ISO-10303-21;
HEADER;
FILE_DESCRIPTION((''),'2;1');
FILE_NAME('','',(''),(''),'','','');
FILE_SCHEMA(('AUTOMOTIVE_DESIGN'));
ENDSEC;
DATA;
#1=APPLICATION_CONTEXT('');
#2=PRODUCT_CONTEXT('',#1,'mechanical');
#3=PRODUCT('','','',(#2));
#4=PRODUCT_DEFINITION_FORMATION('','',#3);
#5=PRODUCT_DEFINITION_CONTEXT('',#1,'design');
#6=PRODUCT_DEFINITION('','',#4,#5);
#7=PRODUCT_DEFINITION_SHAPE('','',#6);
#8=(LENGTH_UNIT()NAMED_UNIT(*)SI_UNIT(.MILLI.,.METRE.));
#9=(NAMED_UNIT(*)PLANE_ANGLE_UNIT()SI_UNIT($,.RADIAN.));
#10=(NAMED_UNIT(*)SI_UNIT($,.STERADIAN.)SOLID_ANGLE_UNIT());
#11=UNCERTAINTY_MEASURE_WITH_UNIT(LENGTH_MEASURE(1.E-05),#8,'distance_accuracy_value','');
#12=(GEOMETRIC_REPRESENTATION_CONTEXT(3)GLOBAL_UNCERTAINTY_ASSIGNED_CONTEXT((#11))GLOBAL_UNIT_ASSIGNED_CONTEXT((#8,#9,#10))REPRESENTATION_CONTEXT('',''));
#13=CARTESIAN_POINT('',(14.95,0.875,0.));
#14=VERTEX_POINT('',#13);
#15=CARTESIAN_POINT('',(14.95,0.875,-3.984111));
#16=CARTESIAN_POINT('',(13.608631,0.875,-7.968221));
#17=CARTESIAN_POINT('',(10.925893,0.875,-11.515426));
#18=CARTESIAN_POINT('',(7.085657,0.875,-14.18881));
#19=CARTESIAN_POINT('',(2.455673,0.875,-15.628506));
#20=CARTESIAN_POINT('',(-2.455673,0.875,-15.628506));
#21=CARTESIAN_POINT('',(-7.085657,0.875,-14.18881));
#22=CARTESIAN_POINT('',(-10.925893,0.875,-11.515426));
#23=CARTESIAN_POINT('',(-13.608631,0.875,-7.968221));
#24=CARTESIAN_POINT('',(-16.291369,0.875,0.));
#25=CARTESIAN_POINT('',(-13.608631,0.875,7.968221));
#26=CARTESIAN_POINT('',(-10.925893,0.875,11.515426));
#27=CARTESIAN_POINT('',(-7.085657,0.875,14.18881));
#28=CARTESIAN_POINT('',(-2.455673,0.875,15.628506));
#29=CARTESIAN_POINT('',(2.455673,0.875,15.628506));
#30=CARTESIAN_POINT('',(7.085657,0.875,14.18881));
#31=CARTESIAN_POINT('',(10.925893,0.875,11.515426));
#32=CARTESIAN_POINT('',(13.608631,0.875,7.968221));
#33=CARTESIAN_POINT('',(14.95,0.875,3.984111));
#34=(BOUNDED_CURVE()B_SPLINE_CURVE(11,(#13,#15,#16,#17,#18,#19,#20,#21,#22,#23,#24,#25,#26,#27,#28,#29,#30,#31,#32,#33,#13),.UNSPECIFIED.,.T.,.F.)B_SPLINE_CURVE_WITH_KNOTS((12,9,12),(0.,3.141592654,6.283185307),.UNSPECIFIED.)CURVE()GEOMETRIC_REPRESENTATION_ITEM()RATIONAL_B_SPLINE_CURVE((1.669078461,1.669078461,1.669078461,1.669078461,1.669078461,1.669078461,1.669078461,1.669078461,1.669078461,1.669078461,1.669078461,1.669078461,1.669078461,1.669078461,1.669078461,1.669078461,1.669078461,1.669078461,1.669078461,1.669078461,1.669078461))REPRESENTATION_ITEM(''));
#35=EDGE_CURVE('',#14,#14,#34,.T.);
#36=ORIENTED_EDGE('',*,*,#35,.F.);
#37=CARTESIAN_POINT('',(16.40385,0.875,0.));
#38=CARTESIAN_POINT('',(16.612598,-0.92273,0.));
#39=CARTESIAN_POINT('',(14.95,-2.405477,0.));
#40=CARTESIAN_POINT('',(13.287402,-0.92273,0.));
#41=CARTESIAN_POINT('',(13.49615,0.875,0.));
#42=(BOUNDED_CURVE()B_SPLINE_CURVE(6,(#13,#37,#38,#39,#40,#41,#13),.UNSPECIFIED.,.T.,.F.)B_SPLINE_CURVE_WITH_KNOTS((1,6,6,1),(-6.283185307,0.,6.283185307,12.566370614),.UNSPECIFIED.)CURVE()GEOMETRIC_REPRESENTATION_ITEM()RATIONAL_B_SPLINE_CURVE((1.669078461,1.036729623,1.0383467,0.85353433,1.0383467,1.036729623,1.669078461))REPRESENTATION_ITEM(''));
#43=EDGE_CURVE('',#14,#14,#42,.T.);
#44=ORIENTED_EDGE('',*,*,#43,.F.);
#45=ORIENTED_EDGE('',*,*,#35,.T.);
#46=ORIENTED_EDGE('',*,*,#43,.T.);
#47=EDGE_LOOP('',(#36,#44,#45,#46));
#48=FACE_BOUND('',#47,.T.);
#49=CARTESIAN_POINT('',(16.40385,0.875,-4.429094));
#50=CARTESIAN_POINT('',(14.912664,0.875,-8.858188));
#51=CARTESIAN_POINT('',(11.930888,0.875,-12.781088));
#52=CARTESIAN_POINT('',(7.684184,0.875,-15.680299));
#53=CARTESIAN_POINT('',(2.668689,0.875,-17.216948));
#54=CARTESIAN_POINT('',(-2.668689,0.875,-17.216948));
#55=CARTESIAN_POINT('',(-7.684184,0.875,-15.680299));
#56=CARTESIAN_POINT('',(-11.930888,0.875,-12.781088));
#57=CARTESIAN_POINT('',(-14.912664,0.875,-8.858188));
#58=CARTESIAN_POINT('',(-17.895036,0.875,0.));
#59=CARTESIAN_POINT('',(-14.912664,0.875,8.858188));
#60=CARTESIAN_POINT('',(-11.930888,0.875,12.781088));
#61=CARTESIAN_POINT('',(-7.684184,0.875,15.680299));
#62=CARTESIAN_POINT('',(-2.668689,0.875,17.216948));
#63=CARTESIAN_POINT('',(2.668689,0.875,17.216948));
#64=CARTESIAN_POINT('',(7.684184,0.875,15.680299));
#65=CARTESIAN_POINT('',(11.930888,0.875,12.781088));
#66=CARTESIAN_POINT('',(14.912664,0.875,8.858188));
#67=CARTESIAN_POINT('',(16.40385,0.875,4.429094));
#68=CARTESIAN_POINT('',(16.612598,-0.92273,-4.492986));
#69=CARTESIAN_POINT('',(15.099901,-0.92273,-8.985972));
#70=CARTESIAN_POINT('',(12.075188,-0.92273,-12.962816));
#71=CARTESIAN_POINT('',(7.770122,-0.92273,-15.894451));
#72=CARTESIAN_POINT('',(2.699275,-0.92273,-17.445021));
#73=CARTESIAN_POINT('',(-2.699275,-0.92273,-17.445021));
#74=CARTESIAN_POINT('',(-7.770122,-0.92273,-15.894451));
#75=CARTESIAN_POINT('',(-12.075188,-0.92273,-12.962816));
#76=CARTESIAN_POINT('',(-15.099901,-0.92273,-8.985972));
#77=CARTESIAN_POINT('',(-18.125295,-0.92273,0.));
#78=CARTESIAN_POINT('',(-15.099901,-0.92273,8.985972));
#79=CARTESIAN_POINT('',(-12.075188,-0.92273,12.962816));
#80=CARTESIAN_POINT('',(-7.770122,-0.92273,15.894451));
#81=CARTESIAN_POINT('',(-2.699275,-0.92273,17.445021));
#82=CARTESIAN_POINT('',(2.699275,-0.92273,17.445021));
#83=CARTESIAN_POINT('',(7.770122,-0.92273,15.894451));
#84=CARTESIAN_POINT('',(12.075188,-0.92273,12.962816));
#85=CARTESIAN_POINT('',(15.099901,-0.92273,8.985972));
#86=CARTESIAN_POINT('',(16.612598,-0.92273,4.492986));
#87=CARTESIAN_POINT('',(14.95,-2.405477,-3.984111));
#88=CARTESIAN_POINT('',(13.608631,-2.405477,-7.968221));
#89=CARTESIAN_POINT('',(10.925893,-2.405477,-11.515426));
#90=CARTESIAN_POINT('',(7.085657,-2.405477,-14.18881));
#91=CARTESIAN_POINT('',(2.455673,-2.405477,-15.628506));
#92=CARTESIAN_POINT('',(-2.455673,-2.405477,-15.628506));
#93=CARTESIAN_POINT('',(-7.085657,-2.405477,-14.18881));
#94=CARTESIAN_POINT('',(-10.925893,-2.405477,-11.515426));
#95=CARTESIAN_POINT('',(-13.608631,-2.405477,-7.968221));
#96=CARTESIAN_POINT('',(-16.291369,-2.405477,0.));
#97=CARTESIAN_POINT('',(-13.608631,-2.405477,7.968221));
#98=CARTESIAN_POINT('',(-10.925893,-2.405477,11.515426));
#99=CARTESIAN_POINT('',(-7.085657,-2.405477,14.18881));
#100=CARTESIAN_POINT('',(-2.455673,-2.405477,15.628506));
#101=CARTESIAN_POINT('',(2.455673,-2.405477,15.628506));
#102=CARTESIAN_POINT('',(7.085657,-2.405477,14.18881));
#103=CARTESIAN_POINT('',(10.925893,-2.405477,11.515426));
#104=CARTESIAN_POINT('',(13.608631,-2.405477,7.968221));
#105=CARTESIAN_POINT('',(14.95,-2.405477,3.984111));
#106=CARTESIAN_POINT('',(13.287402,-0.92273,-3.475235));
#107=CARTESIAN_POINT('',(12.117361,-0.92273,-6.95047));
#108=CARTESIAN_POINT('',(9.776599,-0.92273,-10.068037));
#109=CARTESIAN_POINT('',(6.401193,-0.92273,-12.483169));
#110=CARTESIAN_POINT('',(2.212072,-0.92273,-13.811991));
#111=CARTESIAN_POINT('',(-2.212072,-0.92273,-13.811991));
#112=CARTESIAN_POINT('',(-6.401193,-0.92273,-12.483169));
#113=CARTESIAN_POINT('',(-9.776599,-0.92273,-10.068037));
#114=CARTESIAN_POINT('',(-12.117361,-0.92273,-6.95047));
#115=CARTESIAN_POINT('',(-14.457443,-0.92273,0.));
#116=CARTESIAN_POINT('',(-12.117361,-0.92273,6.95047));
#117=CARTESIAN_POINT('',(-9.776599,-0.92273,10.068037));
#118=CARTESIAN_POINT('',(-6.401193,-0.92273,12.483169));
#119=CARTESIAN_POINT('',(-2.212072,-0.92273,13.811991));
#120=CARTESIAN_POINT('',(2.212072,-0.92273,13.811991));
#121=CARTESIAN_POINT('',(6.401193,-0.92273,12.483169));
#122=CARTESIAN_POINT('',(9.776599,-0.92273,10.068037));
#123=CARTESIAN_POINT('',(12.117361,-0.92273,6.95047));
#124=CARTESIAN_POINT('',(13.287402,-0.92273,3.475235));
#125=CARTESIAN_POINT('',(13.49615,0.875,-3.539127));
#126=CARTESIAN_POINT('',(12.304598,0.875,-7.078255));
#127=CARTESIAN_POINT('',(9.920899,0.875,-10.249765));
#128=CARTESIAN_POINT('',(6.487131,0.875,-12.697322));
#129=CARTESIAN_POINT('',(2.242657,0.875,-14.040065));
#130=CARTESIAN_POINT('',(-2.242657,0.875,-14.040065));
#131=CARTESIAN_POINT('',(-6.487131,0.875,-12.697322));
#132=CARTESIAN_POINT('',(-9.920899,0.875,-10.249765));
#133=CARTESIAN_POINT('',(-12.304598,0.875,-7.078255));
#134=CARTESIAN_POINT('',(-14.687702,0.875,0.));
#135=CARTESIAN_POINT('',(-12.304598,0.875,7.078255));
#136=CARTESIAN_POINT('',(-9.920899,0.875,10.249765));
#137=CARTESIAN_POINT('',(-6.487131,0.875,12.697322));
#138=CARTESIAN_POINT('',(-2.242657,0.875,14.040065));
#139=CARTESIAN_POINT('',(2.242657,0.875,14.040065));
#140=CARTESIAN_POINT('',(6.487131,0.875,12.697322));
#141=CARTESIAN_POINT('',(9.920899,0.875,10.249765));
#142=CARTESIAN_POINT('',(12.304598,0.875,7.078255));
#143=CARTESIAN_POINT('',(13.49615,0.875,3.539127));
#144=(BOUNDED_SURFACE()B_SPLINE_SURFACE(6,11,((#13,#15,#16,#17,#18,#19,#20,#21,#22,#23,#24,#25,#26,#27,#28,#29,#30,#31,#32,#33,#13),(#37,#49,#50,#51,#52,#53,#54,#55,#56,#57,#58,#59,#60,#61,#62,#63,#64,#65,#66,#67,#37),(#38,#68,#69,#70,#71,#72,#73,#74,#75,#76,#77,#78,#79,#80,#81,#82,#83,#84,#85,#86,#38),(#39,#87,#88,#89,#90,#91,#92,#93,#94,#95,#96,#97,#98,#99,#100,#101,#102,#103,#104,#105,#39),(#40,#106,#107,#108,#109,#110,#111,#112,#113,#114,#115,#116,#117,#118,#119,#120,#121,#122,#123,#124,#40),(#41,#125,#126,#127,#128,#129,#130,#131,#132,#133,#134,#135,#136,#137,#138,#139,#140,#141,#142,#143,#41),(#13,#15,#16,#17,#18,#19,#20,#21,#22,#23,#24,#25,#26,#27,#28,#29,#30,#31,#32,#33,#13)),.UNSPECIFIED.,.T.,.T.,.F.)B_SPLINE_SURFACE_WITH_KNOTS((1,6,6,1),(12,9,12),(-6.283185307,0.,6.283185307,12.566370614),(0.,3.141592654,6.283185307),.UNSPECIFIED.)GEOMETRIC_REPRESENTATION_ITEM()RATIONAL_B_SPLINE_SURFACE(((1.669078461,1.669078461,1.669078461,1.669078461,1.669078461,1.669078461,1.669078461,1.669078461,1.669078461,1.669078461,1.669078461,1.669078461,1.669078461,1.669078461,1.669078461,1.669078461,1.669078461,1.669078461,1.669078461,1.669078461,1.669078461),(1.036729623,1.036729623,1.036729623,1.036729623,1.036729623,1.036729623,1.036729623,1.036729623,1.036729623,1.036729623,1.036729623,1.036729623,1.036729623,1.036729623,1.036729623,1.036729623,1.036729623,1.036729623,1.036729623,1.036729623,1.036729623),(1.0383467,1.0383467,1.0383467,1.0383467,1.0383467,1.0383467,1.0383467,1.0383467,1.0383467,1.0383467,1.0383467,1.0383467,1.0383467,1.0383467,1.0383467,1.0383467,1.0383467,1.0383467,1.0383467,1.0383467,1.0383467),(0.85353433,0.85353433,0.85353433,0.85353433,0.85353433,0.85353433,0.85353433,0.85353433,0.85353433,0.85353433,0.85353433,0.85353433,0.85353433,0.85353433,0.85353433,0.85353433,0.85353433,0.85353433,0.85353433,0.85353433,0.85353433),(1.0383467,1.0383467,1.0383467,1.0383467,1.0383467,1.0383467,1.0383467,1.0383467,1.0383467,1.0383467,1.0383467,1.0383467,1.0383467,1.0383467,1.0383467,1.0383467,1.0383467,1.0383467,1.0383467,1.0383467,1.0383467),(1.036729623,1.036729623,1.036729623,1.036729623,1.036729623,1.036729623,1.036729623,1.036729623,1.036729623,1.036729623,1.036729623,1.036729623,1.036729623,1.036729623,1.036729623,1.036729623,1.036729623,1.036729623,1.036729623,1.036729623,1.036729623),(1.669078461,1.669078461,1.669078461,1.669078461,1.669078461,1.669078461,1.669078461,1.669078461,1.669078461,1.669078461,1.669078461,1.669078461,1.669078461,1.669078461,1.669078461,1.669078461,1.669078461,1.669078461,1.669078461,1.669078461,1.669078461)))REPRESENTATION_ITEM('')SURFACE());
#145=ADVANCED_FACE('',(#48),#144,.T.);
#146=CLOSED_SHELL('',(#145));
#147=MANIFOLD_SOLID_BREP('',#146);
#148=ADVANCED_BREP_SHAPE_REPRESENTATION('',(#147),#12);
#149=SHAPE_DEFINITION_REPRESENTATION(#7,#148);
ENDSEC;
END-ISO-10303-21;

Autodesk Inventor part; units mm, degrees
ref_plane "YZ Plane" through (0, 0, 0) normal (1, 0, 0) x (0, 1, 0)
ref_plane "XZ Plane" through (0, 0, 0) normal (0, 1, 0) x (-1, 0, 0)
ref_plane "XY Plane" through (0, 0, 0) normal (0, 0, 1) x (1, 0, 0)
sketch "Sketch1" plane through (0, 0, 0) normal (0, 1, 0) x (-1, 0, 0)
  ellipse E0 centre (0, 0) end of major axis (0, 13.95) minor radius 14.95
  dimension "d0" = 14.95
  dimension "d1" = 13.95
sketch "Sketch2" plane through (0, 0, 0) normal (1, 0, 0) x (0, 1, 0)
  circle A0 centre (0, 13.95) radius 0.875
  point P0 (0, 0)
  dimension "d2" = 1.75
  dimension "d3" = 13.95
sweep "Sweep1" add profiles "Sketch2" path "Sketch1"
equation "\"d3\" = d1"
properties part number "BEARING_SPACERS_CORE,REV-ENG" material "Polyethylene, UHMW"
